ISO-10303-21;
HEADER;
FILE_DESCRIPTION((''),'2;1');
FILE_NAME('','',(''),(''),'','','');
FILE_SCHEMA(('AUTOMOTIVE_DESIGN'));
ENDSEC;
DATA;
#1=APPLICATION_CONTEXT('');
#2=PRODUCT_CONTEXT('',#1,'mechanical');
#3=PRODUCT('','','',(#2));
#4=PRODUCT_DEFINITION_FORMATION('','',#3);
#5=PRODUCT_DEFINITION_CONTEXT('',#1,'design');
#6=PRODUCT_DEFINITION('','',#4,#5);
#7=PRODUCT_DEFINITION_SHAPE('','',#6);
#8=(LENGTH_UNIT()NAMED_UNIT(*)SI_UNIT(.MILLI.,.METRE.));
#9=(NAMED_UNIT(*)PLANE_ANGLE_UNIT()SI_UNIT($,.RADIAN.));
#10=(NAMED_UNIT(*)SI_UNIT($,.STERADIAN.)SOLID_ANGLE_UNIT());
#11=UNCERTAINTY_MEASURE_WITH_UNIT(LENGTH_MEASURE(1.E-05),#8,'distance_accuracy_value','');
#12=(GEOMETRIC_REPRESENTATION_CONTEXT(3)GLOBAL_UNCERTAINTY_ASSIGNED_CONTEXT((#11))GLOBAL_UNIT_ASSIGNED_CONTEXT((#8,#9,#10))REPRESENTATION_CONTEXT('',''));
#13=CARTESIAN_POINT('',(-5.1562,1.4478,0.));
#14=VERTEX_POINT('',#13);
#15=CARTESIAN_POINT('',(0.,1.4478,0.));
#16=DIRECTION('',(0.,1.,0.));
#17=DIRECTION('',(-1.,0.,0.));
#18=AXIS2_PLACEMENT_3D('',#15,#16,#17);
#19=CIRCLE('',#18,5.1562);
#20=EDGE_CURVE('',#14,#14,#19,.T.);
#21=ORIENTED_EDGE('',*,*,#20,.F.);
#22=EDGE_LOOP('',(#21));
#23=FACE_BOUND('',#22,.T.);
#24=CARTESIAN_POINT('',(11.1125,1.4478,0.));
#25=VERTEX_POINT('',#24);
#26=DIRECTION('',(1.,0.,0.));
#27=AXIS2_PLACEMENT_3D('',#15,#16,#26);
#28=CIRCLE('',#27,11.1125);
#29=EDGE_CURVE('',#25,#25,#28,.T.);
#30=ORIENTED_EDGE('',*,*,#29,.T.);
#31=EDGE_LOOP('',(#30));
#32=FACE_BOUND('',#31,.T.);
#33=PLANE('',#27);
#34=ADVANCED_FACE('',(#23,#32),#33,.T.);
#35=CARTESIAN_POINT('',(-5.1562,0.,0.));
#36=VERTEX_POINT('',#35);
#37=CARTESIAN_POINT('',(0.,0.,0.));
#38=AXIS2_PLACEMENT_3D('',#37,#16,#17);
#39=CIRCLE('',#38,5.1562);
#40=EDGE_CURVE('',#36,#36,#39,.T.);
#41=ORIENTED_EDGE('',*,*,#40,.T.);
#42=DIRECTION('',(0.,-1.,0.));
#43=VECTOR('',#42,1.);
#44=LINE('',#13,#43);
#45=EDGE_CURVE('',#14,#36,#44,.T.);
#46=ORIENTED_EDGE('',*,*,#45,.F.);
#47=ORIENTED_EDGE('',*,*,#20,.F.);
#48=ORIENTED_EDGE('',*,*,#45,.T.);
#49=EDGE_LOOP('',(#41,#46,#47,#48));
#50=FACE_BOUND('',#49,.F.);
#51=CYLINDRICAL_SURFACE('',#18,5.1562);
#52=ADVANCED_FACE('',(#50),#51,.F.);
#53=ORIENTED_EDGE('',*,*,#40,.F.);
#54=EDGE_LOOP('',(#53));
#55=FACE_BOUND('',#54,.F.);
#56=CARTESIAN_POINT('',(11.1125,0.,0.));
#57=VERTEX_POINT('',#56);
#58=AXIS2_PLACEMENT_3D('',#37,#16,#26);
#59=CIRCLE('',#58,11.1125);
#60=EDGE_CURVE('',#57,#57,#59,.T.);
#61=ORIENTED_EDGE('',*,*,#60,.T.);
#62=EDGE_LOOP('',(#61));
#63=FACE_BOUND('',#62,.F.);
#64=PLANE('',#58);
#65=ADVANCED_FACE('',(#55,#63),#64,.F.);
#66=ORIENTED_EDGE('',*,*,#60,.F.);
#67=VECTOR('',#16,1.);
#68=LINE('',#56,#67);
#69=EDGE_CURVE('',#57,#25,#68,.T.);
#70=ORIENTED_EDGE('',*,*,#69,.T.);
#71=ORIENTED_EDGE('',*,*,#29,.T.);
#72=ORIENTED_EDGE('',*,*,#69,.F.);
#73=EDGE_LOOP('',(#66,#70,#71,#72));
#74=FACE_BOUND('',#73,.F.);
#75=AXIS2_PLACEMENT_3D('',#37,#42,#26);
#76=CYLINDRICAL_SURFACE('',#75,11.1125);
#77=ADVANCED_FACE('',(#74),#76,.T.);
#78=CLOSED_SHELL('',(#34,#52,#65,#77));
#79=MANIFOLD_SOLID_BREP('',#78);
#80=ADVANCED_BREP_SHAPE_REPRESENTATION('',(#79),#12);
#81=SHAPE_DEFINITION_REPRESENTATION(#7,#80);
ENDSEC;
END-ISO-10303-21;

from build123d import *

# Parameters (mm, degrees)
SKETCH1_R           = 11.1125
BOSS_EXTRUDE1_DEPTH = 1.4478
SKETCH5_R           = 5.1562
CUT_EXTRUDE1_DEPTH  = 2.4478


with BuildPart() as part:
    # Sketch1 → Boss-Extrude1 (new body)
    with BuildSketch(Plane(origin=(0, 0, 0), x_dir=(1, 0, 0), z_dir=(0, 1, 0))):
        Circle(SKETCH1_R)
    extrude(amount=BOSS_EXTRUDE1_DEPTH)

    # Sketch5 → Cut-Extrude1 (cut, through all)
    with BuildSketch(Plane(origin=(0, 1.4478, 0), x_dir=(-1, 0, 0), z_dir=(0, 1, 0))):
        Circle(SKETCH5_R)
    extrude(amount=-CUT_EXTRUDE1_DEPTH, mode=Mode.SUBTRACT)


solid = part.part
